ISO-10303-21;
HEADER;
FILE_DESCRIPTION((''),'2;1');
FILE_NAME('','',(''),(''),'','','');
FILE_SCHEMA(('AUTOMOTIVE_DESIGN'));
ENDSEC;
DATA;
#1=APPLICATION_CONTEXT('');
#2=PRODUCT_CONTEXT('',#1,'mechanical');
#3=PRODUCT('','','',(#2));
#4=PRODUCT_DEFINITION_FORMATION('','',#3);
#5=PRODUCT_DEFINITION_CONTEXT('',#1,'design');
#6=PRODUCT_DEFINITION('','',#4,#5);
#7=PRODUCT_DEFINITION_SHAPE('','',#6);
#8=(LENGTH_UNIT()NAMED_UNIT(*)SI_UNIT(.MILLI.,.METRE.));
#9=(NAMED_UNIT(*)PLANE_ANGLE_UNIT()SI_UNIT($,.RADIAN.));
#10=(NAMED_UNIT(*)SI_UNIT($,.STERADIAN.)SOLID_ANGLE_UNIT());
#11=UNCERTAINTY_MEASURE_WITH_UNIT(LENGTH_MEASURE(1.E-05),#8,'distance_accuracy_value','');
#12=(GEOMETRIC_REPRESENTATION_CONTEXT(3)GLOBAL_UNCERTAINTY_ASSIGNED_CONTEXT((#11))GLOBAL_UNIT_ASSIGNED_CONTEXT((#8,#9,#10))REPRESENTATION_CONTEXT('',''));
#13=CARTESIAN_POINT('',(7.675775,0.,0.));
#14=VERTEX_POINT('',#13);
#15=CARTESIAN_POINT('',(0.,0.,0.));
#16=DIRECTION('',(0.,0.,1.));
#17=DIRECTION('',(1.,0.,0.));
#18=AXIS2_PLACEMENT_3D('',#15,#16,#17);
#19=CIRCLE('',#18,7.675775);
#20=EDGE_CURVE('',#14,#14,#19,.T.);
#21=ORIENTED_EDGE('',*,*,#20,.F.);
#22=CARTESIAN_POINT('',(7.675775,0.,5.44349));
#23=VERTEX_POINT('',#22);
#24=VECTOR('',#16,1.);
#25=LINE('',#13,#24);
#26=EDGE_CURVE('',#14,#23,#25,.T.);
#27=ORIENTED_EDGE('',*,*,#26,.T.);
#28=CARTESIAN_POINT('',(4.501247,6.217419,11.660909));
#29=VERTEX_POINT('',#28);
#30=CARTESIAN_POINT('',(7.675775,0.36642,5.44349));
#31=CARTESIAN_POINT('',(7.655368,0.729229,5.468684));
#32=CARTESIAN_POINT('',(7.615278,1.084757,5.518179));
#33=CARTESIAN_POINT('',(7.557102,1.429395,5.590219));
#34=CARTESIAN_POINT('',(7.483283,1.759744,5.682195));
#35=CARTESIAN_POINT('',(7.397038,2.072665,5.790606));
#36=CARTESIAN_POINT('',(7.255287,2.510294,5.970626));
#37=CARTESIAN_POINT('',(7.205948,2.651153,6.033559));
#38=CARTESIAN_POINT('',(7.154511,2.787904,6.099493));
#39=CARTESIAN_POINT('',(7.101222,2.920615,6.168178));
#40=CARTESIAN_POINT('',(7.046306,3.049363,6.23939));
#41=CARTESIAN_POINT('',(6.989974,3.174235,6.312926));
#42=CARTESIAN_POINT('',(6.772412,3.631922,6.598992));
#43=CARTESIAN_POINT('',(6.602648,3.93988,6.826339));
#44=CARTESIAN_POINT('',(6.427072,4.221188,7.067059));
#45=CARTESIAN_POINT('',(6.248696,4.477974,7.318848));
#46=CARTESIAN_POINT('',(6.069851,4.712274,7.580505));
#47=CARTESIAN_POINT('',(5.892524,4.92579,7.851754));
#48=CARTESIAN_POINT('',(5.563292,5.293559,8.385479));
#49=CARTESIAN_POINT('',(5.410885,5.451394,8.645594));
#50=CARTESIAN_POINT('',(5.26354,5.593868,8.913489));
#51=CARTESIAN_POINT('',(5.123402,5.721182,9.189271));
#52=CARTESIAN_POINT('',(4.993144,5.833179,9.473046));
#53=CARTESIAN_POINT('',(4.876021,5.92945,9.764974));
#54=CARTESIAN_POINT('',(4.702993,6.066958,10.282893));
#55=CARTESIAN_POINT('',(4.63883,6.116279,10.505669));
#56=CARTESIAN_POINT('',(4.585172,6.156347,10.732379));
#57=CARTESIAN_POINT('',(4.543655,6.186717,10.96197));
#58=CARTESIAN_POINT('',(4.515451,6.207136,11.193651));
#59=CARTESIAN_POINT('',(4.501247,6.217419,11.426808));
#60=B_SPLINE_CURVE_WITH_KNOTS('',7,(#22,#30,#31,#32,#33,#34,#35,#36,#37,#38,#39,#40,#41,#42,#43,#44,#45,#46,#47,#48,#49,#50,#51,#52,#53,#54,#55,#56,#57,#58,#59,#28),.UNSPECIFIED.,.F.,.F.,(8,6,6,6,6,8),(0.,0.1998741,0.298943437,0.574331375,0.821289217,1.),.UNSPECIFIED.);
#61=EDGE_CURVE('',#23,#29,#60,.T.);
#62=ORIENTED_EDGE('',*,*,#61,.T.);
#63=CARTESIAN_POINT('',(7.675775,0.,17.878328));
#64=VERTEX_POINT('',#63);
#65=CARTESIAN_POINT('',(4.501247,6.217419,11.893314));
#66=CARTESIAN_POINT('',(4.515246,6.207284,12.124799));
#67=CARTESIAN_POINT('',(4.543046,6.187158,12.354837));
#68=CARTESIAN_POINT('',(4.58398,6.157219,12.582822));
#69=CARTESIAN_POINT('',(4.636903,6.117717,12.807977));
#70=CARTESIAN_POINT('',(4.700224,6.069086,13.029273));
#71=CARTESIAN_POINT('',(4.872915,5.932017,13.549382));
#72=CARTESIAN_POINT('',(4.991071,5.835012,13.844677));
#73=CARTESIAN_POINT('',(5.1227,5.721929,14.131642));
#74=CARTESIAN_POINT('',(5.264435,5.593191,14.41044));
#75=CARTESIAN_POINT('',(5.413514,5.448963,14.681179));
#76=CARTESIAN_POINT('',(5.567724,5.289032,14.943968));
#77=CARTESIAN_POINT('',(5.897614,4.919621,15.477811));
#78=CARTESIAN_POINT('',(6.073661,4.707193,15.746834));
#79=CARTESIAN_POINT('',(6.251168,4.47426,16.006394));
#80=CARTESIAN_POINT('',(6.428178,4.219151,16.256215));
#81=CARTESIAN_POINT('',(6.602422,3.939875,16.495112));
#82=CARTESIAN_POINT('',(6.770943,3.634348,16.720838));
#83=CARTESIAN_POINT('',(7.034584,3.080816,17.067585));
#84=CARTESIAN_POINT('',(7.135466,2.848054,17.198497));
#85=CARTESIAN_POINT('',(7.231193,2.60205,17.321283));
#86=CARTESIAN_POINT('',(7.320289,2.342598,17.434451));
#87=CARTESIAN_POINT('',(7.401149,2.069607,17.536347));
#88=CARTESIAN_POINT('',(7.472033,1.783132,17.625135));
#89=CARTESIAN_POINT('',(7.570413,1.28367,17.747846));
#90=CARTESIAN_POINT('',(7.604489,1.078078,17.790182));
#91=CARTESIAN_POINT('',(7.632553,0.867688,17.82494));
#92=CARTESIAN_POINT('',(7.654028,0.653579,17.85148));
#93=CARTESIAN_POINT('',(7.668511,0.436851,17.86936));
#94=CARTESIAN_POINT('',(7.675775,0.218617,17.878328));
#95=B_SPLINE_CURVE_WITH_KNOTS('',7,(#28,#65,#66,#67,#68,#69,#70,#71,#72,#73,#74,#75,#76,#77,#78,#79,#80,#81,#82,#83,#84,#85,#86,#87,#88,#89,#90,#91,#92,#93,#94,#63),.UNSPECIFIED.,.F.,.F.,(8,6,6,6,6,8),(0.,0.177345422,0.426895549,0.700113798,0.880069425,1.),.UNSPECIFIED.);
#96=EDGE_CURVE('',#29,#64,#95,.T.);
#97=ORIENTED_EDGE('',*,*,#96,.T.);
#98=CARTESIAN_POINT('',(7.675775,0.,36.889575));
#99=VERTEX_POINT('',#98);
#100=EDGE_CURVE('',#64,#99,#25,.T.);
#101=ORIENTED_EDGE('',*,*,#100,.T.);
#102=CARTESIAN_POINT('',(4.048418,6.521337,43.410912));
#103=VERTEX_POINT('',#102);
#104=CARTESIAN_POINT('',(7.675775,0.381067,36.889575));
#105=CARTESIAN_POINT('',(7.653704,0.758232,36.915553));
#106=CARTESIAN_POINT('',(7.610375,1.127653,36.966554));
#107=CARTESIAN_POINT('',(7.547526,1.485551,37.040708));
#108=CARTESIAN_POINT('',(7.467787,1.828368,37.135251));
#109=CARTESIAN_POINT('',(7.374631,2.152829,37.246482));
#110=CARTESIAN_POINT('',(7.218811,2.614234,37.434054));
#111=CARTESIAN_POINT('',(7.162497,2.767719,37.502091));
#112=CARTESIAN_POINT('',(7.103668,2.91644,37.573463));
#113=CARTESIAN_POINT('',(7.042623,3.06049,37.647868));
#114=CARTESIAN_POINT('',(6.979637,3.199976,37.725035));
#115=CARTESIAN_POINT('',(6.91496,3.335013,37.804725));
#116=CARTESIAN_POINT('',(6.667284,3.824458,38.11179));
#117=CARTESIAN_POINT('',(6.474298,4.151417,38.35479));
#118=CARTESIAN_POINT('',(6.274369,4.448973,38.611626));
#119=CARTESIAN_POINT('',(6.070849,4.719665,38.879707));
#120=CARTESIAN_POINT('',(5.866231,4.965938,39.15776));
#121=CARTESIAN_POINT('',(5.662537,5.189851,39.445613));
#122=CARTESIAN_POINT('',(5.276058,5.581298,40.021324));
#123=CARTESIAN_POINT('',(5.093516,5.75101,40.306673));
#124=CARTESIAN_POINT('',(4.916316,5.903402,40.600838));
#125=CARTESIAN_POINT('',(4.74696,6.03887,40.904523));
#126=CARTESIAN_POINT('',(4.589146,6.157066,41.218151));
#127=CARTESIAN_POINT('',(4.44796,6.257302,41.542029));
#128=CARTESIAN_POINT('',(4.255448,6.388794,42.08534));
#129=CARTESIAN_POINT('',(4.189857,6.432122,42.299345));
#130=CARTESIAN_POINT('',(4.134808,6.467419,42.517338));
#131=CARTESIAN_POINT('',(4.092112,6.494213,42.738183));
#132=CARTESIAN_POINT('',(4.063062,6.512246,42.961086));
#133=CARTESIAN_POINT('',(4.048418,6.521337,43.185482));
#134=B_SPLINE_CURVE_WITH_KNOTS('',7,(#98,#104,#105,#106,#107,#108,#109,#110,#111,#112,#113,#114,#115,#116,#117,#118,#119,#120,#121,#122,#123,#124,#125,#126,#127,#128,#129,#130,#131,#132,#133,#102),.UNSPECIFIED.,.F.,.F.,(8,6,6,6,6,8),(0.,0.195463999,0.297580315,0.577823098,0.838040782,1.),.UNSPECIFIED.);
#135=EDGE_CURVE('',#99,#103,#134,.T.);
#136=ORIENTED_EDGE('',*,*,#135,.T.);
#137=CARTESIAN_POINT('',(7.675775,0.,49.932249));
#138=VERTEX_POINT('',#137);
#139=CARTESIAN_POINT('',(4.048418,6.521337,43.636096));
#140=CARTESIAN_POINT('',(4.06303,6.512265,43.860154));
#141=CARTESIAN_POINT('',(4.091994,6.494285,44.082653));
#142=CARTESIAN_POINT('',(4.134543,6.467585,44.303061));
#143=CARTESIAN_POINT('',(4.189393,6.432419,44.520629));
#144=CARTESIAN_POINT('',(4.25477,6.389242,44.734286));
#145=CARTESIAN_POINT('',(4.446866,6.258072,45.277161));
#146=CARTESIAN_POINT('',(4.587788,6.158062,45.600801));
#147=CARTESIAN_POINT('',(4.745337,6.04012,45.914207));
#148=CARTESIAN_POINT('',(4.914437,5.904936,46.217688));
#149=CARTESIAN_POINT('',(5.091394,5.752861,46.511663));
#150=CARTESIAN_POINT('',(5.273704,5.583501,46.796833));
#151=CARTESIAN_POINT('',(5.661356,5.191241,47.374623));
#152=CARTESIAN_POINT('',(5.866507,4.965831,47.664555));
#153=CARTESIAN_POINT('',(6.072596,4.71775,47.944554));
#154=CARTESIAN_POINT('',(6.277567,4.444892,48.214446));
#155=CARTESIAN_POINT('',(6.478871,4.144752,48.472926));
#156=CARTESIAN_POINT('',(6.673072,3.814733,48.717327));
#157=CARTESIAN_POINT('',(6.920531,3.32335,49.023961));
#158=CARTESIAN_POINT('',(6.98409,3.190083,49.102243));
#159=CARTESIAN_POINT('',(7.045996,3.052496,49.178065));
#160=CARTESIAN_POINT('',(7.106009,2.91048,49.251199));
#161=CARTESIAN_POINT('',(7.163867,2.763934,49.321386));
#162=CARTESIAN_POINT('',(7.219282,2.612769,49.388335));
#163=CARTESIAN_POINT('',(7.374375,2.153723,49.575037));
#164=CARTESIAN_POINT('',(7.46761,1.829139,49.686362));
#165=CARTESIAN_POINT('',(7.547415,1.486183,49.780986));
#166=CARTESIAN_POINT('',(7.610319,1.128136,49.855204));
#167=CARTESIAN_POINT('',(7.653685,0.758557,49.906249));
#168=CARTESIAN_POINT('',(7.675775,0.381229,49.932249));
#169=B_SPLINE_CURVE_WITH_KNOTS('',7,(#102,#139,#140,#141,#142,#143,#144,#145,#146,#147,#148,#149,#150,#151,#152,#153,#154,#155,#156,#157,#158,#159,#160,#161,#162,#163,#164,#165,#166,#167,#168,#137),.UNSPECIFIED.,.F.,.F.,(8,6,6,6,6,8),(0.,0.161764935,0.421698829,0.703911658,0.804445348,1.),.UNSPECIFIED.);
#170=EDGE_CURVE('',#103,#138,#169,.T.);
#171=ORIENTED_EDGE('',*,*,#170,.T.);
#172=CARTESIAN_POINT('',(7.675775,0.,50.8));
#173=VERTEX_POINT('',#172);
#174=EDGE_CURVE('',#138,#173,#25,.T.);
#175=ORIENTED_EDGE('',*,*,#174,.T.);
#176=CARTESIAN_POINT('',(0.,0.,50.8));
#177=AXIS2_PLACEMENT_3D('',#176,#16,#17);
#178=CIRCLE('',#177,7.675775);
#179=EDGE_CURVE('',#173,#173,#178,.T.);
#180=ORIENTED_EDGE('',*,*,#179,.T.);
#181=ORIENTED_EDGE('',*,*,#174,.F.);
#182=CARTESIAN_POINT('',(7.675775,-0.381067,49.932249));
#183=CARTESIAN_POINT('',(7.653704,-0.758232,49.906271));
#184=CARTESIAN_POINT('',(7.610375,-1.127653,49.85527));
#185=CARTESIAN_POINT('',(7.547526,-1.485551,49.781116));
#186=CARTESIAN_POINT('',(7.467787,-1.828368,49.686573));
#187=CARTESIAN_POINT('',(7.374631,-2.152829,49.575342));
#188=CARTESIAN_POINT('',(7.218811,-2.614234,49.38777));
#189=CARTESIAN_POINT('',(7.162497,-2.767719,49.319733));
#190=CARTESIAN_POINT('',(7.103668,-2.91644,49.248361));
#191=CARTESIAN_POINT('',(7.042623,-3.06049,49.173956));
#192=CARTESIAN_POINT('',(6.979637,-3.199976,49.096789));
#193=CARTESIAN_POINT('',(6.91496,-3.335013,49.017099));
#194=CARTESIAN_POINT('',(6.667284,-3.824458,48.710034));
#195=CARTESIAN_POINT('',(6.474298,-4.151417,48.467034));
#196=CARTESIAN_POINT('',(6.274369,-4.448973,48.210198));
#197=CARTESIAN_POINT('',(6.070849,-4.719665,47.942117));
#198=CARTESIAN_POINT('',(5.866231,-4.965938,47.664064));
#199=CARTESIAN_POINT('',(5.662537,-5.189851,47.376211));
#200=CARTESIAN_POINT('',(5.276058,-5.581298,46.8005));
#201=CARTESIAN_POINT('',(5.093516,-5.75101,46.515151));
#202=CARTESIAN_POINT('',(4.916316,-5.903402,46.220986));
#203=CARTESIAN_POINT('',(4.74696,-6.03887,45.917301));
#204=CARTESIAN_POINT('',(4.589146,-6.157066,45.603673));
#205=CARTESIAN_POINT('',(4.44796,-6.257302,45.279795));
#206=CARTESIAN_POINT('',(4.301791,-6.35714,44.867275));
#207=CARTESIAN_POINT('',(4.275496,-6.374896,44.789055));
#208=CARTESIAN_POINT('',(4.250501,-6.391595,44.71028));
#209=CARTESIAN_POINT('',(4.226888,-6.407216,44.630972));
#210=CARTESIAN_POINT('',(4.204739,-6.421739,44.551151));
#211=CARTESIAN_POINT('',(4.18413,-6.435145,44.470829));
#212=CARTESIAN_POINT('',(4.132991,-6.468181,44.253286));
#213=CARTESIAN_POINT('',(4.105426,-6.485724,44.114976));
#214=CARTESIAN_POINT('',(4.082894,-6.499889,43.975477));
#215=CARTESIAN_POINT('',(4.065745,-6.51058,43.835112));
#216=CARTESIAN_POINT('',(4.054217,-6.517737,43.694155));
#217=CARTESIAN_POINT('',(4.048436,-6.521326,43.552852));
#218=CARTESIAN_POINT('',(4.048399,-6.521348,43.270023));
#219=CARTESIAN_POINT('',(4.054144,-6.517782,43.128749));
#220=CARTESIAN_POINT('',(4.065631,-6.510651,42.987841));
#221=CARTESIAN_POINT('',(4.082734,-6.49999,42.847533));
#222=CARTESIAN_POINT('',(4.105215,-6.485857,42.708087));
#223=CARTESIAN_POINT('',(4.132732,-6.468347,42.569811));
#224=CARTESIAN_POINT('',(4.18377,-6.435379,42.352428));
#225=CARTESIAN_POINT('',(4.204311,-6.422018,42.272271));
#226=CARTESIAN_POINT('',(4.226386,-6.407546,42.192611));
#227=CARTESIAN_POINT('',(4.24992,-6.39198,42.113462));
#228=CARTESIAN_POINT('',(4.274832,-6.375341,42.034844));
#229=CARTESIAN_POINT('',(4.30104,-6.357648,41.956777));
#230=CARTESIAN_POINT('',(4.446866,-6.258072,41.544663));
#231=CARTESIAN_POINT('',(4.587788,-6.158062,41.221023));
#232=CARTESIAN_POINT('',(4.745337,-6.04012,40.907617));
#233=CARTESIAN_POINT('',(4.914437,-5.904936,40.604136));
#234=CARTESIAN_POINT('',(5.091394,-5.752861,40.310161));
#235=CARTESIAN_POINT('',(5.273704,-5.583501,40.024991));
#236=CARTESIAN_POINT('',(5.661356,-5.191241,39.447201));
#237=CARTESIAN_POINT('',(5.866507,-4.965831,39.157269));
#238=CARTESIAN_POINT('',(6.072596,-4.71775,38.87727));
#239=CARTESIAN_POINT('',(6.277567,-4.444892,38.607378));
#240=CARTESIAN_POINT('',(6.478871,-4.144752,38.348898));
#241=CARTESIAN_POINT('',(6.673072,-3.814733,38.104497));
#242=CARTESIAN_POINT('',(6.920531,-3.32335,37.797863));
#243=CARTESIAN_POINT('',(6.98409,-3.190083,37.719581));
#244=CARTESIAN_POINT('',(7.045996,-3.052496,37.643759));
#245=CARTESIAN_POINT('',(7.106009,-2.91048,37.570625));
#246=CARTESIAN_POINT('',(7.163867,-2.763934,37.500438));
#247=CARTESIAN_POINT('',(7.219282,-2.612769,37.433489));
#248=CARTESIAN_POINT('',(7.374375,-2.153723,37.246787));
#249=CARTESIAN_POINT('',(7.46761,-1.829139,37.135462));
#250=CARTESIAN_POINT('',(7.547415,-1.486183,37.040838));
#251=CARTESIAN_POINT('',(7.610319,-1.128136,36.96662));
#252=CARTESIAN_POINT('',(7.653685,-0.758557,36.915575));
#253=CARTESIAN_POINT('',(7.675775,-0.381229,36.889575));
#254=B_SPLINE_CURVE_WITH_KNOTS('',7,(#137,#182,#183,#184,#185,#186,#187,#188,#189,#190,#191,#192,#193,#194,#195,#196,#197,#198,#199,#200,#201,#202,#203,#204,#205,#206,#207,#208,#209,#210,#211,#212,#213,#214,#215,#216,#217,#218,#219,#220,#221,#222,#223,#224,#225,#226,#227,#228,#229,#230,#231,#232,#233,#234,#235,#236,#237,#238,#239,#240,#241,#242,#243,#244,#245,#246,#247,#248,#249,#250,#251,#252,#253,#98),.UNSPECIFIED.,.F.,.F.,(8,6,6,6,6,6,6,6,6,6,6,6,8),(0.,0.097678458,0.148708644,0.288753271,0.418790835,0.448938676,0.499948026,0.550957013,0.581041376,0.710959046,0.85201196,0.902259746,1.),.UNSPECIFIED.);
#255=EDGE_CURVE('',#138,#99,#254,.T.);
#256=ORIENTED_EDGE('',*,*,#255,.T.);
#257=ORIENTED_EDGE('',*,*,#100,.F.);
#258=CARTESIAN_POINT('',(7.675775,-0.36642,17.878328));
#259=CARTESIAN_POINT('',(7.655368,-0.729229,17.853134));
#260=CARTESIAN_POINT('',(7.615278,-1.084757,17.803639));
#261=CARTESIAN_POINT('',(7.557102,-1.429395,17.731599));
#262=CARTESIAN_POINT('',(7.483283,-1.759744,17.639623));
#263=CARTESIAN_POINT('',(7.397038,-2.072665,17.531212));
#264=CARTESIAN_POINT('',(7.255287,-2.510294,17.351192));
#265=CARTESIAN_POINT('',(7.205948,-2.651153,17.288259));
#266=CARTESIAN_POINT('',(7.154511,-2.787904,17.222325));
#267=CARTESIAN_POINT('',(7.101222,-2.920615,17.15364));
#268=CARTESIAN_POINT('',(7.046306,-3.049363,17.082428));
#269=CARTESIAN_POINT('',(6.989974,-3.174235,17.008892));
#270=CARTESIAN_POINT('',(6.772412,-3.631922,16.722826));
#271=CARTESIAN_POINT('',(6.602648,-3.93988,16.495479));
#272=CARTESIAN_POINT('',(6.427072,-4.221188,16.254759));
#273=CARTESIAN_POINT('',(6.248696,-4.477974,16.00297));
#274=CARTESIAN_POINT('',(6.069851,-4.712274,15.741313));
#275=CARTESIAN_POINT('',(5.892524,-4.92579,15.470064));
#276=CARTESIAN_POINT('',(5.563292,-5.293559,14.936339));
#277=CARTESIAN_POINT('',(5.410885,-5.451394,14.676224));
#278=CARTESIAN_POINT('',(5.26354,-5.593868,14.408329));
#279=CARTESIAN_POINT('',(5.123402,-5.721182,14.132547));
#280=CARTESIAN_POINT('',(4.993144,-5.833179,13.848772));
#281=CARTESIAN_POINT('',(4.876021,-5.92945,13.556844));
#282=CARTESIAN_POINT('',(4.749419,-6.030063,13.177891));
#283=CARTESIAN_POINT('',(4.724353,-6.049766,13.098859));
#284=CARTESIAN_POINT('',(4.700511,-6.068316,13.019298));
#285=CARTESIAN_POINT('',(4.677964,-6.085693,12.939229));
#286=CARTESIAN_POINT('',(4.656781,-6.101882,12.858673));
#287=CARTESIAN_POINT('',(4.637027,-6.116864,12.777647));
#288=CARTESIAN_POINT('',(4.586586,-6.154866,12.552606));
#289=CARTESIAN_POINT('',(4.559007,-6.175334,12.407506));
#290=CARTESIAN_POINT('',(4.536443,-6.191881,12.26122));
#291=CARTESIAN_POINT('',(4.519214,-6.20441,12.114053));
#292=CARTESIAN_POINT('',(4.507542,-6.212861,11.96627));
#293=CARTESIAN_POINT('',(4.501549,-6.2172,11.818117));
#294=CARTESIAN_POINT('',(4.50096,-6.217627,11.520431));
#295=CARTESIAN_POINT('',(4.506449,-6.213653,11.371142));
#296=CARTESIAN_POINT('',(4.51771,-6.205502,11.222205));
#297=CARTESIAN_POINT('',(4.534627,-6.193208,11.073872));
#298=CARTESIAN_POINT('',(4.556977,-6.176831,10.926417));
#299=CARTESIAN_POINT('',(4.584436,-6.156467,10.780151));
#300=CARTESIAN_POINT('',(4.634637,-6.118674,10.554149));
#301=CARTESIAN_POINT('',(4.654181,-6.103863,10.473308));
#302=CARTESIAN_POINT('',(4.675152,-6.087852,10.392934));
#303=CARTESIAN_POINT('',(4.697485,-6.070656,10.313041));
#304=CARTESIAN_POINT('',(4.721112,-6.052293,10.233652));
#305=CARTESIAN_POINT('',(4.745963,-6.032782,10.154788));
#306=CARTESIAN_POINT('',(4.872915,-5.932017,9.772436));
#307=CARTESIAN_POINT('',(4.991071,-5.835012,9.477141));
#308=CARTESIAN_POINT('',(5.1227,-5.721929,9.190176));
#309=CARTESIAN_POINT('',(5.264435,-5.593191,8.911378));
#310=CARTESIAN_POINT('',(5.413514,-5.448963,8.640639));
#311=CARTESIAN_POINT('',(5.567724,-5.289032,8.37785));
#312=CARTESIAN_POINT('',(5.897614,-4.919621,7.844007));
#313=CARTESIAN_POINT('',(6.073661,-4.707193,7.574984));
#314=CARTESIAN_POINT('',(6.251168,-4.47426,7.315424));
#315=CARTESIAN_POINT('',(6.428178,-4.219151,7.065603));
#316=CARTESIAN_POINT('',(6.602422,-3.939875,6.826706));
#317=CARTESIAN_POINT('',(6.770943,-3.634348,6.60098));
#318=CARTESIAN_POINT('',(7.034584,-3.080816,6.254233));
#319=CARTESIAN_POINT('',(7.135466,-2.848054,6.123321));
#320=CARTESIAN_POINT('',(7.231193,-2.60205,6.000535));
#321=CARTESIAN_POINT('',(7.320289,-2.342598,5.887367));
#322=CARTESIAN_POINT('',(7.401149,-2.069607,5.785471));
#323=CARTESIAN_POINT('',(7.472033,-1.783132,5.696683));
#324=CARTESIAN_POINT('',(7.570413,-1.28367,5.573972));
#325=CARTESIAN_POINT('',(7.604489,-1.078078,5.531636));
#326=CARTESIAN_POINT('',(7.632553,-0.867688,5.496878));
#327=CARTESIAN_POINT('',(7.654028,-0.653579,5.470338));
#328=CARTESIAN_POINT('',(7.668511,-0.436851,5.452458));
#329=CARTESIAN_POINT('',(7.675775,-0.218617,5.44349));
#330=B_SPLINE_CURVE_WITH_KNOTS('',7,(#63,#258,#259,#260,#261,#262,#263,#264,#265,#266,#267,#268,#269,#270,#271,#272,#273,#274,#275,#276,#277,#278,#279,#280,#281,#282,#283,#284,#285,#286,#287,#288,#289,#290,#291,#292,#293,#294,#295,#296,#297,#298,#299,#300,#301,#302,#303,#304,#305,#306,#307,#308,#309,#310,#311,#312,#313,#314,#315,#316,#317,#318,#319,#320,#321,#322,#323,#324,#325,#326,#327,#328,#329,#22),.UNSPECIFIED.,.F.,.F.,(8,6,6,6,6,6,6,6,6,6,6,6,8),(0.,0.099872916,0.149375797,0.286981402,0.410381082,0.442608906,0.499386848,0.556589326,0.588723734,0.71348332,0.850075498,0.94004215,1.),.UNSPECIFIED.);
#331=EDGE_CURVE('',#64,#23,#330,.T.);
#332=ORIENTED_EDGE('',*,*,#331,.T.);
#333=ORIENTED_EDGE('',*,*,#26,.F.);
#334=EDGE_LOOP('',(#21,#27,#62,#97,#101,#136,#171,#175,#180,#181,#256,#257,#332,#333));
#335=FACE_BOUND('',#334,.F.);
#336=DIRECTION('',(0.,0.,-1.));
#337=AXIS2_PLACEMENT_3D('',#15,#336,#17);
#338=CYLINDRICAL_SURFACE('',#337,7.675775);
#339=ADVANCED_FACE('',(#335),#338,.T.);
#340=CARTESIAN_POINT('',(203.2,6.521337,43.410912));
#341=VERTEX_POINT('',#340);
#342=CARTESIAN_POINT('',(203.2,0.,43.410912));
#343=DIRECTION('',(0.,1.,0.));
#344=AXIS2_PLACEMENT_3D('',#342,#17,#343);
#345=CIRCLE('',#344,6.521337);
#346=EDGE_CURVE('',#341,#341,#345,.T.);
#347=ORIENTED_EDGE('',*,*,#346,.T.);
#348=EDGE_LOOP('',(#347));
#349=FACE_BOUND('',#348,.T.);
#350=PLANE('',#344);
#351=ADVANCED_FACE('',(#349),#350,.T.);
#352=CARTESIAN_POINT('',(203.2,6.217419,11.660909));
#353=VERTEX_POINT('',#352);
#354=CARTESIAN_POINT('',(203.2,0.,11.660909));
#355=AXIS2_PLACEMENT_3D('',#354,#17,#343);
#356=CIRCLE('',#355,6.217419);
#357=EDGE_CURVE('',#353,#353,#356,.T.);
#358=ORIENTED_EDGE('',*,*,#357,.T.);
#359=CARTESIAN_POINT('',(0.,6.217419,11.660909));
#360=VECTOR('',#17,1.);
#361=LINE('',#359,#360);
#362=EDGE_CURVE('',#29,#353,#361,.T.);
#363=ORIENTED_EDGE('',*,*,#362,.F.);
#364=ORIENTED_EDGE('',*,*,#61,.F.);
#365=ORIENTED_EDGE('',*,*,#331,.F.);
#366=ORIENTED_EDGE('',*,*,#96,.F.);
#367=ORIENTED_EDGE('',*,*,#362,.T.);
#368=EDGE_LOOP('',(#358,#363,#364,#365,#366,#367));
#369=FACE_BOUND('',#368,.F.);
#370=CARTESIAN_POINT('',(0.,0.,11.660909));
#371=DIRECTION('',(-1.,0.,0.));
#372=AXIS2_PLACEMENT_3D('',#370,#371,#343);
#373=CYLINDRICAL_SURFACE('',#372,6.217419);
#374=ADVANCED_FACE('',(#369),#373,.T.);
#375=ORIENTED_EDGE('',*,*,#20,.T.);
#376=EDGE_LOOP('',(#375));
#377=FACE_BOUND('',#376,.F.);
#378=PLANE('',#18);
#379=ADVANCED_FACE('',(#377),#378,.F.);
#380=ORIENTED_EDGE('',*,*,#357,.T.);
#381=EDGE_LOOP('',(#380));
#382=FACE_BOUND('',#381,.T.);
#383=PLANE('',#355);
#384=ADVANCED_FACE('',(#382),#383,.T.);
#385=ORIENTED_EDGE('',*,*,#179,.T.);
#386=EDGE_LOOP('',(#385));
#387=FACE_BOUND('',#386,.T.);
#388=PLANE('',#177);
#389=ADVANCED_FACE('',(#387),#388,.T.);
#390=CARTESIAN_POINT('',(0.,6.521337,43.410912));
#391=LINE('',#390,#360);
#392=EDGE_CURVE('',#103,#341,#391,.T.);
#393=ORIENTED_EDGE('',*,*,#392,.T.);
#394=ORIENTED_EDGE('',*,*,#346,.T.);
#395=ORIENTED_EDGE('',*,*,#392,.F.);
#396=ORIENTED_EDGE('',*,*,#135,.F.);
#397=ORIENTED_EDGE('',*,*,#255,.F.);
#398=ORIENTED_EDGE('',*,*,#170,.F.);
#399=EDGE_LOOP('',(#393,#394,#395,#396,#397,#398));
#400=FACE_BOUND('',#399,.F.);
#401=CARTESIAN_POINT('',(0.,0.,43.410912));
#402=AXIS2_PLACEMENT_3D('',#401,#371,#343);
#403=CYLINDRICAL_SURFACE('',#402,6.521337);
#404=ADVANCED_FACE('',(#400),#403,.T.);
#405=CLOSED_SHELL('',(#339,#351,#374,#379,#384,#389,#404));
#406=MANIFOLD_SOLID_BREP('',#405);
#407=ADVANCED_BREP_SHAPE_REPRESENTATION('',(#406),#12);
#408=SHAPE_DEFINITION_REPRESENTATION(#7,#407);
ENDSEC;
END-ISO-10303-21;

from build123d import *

# Parameters (mm, degrees)
F0_R     = 7.675775
F1_DEPTH = 50.8
F2_R     = 6.521337
F3_DEPTH = 203.2
F4_R     = 6.217419
F5_DEPTH = 203.2


with BuildPart() as f1:
    # F0 (on Top) → F1 (new body)
    with BuildSketch(Plane.XY):
        Circle(F0_R)
    extrude(amount=F1_DEPTH)

    # F2 (on Right) → F3 (join)
    with BuildSketch(Plane.YZ):
        with Locations((0, 43.410912)):
            Circle(F2_R)
    extrude(amount=F3_DEPTH)

    # F4 (on Right) → F5 (join)
    with BuildSketch(Plane.YZ):
        with Locations((0, 11.660909)):
            Circle(F4_R)
    extrude(amount=F5_DEPTH)


solid = f1.part
